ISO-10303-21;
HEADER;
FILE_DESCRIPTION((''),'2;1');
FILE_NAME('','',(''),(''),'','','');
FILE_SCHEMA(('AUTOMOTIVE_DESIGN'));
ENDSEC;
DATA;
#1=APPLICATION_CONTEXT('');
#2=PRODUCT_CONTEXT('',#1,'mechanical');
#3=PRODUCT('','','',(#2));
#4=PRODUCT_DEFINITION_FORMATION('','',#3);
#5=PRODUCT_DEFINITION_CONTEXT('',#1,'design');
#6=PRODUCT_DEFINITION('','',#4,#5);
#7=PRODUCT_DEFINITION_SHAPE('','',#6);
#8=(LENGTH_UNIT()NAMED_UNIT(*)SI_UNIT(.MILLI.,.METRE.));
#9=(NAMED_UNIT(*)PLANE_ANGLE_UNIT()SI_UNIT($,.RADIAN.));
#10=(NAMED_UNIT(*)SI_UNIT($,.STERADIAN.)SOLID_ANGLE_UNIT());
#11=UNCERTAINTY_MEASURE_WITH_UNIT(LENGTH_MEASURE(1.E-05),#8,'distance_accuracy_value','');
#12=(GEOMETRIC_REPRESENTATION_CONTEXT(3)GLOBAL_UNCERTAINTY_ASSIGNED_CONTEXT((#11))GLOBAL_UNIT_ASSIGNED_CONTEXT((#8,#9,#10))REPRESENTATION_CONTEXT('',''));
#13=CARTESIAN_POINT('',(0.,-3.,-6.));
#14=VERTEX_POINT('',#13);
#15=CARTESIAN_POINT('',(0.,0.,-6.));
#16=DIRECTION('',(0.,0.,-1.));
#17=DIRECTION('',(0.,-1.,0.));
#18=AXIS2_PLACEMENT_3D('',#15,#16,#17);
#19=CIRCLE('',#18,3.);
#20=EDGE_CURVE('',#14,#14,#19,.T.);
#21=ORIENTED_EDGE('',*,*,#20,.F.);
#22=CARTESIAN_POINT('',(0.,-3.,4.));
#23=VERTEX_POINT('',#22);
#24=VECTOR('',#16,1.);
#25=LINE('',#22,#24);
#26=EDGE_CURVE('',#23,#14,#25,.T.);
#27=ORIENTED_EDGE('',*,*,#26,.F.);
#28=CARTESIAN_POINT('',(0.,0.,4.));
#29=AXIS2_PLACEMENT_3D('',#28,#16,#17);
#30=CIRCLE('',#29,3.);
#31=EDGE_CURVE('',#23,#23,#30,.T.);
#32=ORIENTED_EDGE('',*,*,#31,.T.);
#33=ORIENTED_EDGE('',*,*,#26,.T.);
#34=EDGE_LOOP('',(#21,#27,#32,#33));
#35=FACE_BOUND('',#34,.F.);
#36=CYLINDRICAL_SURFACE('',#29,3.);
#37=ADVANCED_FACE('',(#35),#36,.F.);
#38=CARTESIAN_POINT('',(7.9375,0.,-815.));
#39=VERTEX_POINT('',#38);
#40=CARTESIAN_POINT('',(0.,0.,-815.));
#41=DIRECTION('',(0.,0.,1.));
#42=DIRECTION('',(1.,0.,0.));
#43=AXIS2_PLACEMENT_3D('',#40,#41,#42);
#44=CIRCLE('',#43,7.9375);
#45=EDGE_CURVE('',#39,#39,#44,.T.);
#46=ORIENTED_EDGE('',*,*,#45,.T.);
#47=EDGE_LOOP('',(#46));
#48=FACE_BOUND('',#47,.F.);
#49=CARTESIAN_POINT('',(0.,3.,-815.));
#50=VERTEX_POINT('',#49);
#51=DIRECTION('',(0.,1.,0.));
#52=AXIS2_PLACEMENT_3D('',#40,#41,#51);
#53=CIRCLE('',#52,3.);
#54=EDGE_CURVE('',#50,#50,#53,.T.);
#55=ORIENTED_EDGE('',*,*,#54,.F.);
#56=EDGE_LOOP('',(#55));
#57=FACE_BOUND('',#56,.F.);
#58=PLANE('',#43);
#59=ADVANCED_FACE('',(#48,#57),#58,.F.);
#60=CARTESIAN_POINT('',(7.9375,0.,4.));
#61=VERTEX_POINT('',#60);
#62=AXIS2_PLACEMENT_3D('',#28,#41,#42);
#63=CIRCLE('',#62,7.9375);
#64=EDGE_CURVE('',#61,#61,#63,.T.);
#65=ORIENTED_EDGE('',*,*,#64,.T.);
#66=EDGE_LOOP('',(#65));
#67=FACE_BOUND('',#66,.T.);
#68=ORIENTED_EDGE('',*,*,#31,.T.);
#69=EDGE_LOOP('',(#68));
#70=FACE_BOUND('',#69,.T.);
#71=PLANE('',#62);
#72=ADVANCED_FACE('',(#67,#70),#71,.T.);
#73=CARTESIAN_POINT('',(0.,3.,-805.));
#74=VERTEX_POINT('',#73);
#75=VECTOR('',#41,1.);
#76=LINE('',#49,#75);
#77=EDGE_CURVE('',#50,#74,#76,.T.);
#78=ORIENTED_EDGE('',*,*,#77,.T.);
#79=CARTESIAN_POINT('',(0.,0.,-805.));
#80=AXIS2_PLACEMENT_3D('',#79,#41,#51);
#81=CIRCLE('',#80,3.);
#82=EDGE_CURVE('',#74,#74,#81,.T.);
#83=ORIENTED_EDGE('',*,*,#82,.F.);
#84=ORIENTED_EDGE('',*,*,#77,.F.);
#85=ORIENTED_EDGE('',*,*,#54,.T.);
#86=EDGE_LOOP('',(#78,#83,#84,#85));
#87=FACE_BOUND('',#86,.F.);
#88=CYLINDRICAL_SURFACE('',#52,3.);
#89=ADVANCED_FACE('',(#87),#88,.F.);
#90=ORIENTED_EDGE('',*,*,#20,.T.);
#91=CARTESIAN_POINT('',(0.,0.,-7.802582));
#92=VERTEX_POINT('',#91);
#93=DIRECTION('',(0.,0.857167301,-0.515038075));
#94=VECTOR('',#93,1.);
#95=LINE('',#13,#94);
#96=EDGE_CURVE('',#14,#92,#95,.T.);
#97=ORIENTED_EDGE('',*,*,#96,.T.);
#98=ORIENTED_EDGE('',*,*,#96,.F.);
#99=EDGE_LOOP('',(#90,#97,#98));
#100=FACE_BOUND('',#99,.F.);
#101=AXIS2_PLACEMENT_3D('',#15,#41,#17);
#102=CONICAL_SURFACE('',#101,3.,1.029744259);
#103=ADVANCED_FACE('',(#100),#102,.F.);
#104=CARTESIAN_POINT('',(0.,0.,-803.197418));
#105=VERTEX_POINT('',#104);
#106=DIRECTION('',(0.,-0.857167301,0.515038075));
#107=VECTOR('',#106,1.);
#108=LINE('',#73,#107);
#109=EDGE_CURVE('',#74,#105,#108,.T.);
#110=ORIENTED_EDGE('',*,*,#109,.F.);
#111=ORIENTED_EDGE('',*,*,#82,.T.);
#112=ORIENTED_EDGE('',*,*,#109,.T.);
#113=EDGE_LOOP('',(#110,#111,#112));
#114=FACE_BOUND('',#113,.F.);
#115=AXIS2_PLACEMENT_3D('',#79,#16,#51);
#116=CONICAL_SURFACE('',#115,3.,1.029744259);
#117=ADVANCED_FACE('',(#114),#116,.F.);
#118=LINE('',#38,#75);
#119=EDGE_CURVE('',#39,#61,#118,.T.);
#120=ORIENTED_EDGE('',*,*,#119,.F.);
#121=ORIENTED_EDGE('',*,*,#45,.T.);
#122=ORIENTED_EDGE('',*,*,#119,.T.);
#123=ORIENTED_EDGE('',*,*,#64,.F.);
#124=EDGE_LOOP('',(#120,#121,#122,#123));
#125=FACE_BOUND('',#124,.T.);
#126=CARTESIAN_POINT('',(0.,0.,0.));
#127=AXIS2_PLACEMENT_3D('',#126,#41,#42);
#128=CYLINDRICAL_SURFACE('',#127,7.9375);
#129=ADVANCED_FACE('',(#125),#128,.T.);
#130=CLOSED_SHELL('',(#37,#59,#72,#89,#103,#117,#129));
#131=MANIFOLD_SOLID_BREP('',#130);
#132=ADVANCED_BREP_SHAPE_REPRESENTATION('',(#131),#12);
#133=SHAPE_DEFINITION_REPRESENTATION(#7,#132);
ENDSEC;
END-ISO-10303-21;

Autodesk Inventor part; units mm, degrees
ref_plane "YZ Plane" through (0, 0, 0) normal (1, 0, 0) x (0, 1, 0)
ref_plane "XZ Plane" through (0, 0, 0) normal (0, 1, 0) x (-1, 0, 0)
ref_plane "XY Plane" through (0, 0, 0) normal (0, 0, 1) x (1, 0, 0)
sketch "Boceto2" plane through (0, 0, 0) normal (0, 0, 1) x (1, 0, 0)
  circle A0 centre (0, 0) radius 7.9375
  dimension "d0" = 15.875
extrude "Extrusión1" add sketch "Boceto2" against normal blind 815
sketch "Boceto3" plane through (0, 0, 0) normal (0, 0, 1) x (1, 0, 0)
  circle A0 centre (0, 0) radius 7.9375 projected
extrude "Extrusión2" add sketch "Boceto3" along normal blind 4
sketch "Boceto6" plane through (0, 0, 4) normal (0, 0, 1) x (1, 0, 0)
  circle A0 centre (0, 0) radius 3
  dimension "d15" = 6
sketch "Boceto7" plane through (0, 0, -815) normal (0, 0, -1) x (-1, 0, 0)
  circle A0 centre (0, 0) radius 3
  dimension "d16" = 6
hole "Agujero1" at (0, 0, -815) direction (0, 0, 1) diameter 6 depth 10 tip angle 118
hole "Agujero2" at (0, 0, 4) direction (0, 0, -1) diameter 6 depth 10 tip angle 118
thread "Rosca3" size "M6x1" class "6H" standard "ANSI Metric M Profile" length 8
thread "Rosca5" size "M6x1" class "6H" standard "ANSI Metric M Profile" length 8
properties part number "barra" material "Acero inoxidable AISI 304"
